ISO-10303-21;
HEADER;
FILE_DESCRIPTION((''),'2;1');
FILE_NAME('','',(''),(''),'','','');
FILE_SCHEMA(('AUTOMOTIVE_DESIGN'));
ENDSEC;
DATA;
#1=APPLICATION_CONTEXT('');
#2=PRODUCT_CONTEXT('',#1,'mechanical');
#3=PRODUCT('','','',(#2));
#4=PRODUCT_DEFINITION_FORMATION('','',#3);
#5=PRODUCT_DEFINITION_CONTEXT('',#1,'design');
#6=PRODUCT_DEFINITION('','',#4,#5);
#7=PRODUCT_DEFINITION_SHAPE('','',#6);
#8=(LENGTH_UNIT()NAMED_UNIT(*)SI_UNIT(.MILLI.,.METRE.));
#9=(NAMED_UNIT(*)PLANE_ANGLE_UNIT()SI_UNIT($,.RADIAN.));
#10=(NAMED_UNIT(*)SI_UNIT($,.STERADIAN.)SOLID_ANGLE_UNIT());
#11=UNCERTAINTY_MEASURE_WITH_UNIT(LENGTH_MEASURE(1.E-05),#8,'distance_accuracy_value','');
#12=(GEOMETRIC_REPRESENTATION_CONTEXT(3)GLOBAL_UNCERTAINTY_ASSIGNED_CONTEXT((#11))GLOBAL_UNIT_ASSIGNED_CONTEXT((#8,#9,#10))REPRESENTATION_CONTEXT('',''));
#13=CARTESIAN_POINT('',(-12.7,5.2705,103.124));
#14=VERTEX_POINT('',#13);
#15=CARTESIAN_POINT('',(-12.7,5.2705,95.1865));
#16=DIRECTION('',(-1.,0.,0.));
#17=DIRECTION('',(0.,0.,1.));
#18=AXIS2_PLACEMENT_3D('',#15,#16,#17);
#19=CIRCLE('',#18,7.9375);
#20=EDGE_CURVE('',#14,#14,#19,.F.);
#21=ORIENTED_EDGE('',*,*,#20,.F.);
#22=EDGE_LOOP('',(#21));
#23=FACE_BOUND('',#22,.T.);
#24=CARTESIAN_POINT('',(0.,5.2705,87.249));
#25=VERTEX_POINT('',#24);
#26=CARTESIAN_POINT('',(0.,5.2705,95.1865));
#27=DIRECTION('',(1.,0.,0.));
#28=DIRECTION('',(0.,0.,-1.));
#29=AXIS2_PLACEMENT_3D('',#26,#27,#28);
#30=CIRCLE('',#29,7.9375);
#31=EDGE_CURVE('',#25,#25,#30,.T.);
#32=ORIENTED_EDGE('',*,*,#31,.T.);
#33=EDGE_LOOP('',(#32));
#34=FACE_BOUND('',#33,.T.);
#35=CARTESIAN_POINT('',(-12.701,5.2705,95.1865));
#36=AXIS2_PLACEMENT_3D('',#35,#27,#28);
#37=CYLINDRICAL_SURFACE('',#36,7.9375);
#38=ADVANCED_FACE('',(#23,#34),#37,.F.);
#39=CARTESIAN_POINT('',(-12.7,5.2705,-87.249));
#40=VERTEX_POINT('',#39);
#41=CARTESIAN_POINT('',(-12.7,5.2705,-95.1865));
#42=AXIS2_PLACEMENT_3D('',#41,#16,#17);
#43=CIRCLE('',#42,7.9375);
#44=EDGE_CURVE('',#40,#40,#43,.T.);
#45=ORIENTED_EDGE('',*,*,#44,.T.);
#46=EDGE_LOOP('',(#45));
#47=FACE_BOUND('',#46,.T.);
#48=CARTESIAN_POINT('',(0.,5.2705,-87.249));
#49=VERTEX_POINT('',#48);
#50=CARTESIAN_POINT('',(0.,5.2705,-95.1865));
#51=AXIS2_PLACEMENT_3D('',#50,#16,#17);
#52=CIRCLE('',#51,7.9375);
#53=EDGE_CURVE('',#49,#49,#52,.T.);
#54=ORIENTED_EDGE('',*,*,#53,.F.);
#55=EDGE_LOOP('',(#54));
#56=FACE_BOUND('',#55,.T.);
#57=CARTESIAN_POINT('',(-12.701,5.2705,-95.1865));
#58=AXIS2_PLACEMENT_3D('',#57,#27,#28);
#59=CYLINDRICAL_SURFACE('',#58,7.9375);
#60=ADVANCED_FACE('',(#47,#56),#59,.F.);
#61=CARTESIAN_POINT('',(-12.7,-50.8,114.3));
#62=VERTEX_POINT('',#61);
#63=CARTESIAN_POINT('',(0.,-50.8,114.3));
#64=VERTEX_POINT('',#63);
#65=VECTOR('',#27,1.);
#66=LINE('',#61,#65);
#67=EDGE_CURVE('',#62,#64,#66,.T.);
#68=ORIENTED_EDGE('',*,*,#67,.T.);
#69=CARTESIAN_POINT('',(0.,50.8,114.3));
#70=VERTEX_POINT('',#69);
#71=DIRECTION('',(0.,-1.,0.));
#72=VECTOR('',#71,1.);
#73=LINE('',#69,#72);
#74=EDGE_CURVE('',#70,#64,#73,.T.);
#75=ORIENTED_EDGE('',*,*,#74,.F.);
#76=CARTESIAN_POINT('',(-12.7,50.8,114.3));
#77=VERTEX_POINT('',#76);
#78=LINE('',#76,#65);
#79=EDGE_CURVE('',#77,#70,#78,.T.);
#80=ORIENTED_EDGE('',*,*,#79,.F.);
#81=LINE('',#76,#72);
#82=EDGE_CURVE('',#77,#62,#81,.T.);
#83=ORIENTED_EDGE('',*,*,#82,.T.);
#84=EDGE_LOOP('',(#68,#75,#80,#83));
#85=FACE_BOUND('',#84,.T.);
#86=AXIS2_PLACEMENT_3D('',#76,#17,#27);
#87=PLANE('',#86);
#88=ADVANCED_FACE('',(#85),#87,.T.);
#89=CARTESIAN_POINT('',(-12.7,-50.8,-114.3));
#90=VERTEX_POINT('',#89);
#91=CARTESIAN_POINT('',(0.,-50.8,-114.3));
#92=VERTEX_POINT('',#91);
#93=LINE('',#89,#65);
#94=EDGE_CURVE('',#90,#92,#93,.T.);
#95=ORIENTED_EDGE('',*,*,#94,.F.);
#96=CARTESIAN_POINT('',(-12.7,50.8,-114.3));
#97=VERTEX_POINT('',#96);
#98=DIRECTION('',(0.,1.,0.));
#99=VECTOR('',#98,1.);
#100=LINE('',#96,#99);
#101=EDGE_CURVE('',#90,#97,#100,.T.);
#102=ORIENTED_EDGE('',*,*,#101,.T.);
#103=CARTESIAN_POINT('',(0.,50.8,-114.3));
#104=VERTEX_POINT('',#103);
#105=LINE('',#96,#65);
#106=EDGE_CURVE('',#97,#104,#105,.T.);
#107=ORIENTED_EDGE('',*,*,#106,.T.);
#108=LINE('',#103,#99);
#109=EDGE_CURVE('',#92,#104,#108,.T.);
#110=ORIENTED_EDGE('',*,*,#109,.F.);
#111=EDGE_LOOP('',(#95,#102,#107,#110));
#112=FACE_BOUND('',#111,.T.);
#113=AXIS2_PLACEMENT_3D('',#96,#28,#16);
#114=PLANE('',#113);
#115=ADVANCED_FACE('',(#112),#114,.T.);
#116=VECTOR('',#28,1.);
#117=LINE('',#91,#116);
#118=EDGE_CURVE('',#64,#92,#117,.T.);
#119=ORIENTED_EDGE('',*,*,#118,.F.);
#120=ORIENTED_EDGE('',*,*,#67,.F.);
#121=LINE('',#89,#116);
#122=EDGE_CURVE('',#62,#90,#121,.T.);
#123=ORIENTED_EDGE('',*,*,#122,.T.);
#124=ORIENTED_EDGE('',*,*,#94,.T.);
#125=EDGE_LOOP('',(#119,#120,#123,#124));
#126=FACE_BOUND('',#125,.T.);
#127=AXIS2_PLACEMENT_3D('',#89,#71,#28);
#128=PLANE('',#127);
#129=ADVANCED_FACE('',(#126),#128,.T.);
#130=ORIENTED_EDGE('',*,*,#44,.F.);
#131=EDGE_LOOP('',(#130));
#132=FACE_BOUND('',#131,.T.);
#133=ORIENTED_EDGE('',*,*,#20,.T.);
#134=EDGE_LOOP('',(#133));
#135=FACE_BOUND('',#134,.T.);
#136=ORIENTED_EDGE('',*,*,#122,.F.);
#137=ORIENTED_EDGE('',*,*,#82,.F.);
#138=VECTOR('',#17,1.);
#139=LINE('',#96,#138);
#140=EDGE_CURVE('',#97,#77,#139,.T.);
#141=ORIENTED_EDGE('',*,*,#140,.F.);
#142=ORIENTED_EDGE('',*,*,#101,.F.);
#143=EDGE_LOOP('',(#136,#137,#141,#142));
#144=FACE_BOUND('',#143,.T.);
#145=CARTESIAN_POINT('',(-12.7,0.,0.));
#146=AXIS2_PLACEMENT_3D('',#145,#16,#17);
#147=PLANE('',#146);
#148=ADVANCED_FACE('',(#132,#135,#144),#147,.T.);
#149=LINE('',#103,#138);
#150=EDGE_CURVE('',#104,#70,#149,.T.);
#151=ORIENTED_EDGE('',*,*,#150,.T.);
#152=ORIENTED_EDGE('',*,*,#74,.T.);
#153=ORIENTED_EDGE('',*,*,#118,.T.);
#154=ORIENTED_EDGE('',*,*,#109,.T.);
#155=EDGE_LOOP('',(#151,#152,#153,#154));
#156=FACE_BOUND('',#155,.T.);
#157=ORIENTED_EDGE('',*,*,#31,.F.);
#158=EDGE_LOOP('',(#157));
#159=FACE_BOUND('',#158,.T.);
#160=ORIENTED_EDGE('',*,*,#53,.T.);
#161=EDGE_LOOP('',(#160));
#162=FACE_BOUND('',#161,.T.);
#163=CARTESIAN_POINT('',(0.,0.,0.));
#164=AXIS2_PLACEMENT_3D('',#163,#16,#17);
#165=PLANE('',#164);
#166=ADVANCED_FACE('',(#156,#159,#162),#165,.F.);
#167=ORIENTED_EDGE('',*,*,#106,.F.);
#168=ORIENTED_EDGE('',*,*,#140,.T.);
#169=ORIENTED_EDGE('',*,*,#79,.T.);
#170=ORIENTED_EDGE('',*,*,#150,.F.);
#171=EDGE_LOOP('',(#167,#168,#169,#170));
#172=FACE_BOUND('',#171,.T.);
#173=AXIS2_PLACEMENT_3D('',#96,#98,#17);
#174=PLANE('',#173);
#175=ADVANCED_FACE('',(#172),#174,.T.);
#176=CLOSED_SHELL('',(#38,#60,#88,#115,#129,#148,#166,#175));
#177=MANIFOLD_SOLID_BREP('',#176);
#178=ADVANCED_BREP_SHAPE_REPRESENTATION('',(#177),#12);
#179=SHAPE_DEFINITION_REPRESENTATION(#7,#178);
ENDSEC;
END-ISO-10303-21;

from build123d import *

# Parameters (mm, degrees)
SKETCH1_W           = 228.6
SKETCH1_H           = 101.6
BOSS_EXTRUDE1_DEPTH = 12.7
SKETCH2_R           = 7.9375
CUT_EXTRUDE1_DEPTH  = 12.7


with BuildPart() as part:
    # Sketch1 → Boss-Extrude1 (new body)
    with BuildSketch(Plane(origin=(0, 0, 0), x_dir=(0, 0, -1), z_dir=(1, 0, 0))):
        Rectangle(SKETCH1_W, SKETCH1_H)
    extrude(amount=-BOSS_EXTRUDE1_DEPTH)

    # Sketch2 → Cut-Extrude1 (cut)
    with BuildSketch(Plane(origin=(0, 0, 0), x_dir=(0, 0, -1), z_dir=(1, 0, 0))):
        with Locations((-95.1865, 5.2705)):
            Circle(SKETCH2_R)
    cut_extrude1 = extrude(amount=-CUT_EXTRUDE1_DEPTH, mode=Mode.SUBTRACT)

    # Mirror1: Cut-Extrude1 across plane
    add(cut_extrude1.mirror(Plane.XY), mode=Mode.SUBTRACT)


solid = part.part
